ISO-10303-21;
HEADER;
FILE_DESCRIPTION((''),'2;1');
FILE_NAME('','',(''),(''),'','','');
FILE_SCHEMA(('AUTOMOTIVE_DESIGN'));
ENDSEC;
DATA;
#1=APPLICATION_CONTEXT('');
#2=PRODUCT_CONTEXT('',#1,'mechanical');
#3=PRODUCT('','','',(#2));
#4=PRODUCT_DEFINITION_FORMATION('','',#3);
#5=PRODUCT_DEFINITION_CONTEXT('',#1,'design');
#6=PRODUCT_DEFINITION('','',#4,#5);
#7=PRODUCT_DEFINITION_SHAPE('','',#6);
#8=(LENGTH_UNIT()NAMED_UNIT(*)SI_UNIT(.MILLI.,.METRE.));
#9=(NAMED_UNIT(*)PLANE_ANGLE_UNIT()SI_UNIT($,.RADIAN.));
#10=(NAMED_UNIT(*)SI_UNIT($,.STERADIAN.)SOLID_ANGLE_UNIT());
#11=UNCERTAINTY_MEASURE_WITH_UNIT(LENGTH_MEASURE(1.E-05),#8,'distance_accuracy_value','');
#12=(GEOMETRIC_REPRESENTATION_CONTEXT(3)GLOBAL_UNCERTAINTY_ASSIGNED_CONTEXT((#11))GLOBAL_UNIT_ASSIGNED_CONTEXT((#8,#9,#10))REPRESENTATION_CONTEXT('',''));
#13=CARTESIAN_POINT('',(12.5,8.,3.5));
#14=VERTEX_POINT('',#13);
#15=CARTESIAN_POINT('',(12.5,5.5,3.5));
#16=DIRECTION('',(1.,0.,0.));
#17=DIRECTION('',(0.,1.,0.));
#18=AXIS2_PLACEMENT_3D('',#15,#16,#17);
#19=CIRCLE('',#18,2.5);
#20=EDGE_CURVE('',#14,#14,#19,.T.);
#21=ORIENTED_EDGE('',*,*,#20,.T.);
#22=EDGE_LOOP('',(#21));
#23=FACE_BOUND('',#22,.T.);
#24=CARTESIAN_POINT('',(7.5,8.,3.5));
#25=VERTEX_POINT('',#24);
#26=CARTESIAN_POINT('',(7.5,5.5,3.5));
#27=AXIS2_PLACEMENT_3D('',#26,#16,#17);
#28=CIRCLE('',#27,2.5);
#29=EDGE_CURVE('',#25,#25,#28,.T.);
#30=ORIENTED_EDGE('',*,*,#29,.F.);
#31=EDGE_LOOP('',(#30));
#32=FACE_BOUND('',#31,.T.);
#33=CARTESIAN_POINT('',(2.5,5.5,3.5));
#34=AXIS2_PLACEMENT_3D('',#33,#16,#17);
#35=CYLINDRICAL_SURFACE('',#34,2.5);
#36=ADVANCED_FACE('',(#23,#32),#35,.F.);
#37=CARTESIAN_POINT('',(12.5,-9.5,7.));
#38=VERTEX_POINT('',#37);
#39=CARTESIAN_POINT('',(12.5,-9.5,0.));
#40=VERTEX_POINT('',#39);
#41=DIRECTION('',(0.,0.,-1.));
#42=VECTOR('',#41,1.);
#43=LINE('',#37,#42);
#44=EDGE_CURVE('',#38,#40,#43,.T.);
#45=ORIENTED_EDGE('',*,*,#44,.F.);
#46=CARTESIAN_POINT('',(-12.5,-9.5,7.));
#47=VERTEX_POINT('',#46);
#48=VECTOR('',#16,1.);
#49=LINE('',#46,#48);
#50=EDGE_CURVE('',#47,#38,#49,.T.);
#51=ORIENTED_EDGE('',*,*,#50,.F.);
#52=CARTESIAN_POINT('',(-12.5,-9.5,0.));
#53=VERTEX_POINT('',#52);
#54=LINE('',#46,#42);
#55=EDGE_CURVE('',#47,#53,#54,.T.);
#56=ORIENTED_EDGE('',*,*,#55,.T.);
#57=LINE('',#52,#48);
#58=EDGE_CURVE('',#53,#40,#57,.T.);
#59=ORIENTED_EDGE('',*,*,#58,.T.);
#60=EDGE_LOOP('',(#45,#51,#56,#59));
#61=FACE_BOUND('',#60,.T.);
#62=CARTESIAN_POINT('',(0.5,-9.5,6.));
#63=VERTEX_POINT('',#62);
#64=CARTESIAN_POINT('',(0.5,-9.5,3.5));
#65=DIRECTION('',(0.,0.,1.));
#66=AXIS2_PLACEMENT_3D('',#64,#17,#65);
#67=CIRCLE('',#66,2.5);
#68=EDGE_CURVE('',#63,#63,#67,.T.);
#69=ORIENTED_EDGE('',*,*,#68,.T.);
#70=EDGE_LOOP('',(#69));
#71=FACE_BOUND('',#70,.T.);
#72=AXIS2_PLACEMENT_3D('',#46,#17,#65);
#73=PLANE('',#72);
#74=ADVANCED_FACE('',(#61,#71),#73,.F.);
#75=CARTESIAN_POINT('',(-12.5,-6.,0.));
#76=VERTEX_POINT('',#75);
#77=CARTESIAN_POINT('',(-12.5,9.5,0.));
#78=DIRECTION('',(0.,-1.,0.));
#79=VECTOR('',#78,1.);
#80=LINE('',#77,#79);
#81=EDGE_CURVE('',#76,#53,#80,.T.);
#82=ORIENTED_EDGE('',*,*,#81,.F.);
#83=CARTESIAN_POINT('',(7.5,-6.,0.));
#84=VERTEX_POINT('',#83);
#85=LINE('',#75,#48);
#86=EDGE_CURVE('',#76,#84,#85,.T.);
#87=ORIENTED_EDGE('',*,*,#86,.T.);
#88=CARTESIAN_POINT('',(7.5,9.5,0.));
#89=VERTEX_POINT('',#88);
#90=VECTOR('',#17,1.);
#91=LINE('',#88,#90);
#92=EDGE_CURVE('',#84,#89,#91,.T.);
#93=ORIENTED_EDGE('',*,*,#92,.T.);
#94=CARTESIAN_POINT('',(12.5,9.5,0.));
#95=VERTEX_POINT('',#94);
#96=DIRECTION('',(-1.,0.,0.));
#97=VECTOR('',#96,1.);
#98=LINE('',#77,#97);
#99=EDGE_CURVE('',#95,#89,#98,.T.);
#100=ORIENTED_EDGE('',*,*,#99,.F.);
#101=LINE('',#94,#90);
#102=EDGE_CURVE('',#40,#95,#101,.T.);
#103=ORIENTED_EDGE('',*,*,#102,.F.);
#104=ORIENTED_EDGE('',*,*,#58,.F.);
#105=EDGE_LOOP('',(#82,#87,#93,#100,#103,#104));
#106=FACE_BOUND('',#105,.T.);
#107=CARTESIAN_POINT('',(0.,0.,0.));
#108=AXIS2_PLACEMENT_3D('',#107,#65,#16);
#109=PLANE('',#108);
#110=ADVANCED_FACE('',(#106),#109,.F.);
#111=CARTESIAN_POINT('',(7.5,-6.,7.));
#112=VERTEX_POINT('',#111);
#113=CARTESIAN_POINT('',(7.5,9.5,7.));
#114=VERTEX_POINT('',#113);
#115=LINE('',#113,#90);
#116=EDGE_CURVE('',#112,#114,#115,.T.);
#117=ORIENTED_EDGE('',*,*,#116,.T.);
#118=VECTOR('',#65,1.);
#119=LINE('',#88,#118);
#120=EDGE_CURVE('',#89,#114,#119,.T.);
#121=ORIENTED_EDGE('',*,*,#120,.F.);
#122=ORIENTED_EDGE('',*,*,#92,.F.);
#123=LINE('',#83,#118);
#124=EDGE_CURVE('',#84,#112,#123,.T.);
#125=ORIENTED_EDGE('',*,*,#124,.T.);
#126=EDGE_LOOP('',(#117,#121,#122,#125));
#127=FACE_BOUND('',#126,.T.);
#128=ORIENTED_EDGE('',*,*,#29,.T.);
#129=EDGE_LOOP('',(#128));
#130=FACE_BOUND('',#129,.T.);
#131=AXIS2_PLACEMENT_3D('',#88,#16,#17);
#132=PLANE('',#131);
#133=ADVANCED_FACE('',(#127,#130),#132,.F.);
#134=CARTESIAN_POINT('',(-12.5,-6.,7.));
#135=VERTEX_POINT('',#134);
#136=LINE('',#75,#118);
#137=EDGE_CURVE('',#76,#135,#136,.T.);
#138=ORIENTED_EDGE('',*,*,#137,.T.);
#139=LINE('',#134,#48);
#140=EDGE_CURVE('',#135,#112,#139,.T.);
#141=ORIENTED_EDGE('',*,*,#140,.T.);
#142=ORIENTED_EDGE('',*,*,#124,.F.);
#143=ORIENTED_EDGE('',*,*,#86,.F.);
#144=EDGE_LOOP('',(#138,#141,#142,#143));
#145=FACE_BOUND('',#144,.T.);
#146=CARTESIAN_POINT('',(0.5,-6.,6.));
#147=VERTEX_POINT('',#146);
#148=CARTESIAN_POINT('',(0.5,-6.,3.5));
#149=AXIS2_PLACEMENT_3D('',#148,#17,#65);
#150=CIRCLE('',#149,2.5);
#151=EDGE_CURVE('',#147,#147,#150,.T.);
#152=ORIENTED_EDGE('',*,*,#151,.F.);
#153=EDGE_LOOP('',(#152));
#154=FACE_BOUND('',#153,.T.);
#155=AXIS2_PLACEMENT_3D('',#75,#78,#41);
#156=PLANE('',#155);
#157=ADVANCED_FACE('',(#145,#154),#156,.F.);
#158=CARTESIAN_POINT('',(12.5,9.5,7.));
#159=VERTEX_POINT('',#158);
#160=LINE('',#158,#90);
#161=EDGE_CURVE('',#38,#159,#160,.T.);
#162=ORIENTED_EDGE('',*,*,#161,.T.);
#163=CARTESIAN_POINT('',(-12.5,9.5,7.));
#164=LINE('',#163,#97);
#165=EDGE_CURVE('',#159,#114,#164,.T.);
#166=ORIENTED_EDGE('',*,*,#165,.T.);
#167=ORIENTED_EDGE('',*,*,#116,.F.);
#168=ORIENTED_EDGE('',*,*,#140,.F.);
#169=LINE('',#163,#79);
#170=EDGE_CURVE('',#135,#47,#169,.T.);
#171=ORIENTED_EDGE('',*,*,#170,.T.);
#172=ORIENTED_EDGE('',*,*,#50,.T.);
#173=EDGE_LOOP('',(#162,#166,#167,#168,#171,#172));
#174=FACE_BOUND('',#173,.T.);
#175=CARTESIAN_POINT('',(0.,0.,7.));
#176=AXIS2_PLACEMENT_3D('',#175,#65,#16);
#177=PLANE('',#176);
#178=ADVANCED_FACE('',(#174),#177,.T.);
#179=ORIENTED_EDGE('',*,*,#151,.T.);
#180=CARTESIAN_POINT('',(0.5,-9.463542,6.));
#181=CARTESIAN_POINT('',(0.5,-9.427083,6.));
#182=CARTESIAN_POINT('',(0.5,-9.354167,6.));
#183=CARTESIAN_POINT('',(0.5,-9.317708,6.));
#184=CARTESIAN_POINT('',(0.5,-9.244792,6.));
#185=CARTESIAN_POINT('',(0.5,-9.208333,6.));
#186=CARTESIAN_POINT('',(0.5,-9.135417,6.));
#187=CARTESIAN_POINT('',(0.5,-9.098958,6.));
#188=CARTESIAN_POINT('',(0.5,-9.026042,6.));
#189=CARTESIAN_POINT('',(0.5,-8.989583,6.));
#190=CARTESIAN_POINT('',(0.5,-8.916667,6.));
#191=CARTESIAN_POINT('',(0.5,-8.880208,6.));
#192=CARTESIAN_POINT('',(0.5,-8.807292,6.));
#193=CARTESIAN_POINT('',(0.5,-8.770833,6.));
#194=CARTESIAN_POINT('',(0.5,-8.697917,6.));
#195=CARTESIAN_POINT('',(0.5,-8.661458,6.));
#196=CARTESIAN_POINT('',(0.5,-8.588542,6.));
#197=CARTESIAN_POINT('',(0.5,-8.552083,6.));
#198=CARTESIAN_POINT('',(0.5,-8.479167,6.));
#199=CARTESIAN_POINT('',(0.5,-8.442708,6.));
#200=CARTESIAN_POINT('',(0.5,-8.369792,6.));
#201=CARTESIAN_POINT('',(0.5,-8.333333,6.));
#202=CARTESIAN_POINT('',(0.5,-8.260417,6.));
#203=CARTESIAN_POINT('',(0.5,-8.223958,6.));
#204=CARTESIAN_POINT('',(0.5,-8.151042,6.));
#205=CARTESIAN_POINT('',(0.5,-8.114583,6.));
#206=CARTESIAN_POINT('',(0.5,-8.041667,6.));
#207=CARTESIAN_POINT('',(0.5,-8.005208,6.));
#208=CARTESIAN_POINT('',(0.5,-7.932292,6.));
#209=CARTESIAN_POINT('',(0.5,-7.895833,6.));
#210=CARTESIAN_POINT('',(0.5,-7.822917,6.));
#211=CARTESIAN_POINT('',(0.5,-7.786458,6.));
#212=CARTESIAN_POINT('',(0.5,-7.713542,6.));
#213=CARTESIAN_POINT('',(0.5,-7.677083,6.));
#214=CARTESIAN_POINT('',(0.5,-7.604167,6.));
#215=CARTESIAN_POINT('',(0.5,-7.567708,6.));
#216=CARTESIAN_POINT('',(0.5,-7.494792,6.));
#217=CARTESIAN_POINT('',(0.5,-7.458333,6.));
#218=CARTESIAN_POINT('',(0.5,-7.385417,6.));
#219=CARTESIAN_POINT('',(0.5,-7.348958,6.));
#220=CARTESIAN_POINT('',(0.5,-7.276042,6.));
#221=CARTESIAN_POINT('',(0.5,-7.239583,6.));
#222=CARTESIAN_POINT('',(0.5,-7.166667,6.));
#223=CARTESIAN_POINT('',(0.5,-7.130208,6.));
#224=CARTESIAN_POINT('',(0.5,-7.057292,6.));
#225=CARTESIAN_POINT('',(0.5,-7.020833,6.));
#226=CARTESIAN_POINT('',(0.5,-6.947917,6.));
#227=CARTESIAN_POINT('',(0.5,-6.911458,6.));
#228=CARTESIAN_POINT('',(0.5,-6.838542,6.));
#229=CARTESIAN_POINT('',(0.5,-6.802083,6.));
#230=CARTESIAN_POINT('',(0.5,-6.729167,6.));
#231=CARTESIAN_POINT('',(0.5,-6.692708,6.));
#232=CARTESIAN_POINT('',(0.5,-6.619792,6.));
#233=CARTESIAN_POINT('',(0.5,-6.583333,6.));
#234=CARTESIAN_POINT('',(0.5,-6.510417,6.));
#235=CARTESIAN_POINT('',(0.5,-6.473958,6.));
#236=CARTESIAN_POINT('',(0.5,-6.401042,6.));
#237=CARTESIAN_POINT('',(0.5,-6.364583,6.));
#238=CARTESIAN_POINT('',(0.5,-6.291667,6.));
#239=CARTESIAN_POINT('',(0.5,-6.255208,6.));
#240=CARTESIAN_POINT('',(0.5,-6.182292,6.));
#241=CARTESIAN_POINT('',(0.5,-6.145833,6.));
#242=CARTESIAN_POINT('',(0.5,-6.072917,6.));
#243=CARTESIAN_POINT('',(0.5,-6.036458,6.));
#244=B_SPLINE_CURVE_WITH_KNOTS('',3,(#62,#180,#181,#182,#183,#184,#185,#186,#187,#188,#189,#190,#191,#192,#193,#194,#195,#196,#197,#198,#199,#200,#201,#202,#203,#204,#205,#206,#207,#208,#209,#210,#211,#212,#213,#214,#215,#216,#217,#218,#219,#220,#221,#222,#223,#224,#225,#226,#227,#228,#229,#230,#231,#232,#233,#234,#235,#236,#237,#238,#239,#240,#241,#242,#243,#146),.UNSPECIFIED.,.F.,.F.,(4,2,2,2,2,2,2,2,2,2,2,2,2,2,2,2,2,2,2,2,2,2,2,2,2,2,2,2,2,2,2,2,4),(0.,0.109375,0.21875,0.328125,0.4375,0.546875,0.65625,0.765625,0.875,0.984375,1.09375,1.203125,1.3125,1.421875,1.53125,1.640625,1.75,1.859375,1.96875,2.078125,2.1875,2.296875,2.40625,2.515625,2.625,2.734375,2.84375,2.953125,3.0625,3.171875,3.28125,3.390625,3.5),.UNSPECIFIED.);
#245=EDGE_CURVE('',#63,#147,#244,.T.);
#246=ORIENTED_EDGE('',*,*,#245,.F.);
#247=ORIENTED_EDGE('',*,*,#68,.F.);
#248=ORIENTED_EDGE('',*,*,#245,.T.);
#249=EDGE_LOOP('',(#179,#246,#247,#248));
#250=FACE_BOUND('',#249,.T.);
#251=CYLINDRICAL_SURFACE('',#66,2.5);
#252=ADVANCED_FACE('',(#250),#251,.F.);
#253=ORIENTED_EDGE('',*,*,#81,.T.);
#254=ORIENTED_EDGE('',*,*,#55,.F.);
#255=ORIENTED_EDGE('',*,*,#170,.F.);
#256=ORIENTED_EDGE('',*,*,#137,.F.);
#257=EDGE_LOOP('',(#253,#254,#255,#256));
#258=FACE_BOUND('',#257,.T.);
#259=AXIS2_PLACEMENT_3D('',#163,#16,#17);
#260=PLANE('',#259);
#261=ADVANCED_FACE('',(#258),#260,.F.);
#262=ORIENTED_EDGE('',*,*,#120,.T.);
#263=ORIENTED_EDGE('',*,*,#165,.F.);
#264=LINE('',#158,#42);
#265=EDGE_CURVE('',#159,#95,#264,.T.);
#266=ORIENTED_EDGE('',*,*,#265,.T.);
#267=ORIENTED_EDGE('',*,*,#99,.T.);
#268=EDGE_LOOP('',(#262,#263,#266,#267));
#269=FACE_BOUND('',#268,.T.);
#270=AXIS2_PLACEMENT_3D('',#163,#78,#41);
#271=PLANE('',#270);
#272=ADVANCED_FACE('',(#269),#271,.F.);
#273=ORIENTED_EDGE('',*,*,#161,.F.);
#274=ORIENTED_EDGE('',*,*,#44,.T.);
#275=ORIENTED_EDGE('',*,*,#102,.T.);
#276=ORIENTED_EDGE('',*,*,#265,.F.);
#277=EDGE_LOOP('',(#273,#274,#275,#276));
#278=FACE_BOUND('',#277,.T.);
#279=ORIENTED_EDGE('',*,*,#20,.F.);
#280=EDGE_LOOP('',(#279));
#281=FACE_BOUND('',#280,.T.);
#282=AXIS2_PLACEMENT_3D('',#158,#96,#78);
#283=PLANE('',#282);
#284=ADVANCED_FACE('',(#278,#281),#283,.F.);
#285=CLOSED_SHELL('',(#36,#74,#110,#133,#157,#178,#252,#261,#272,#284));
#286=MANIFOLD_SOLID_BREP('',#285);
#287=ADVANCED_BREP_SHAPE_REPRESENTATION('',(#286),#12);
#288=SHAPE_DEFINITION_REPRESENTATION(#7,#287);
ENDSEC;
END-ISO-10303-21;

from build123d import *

# Parameters (mm, degrees)
SKETCH1_W           = 25
SKETCH1_H           = 19
BOSS_EXTRUDE1_DEPTH = 7
SKETCH2_W           = 20
SKETCH2_H           = 15.5
CUT_EXTRUDE1_DEPTH  = 7
SKETCH4_R           = 2.5
CUT_EXTRUDE3_DEPTH  = 22.106870919
SKETCH5_R           = 2.5
CUT_EXTRUDE4_DEPTH  = 10


with BuildPart() as part:
    # Sketch1 → Boss-Extrude1 (new body)
    with BuildSketch(Plane.XY):
        Rectangle(SKETCH1_W, SKETCH1_H)
    extrude(amount=BOSS_EXTRUDE1_DEPTH)

    # Sketch2 → Cut-Extrude1 (cut)
    with BuildSketch(Plane.XY.offset(7)):
        with Locations((-2.5, 1.75)):
            Rectangle(SKETCH2_W, SKETCH2_H)
    extrude(amount=-CUT_EXTRUDE1_DEPTH, mode=Mode.SUBTRACT)

    # Sketch4 → Cut-Extrude3 (cut, through all)
    with BuildSketch(Plane(origin=(0, -6, 0), x_dir=(1, 0, 0), z_dir=(0, 1, 0))):
        with Locations(Location((0.5, -3.5, 0), (0, 0, 270))):
            Circle(SKETCH4_R)
    extrude(amount=-CUT_EXTRUDE3_DEPTH, mode=Mode.SUBTRACT)

    # Sketch5 → Cut-Extrude4 (cut)
    with BuildSketch(Plane(origin=(12.5, 0, 0), x_dir=(0, 0, -1), z_dir=(1, 0, 0))):
        with Locations(Location((-3.5, 5.5, 0), (0, 0, 90))):
            Circle(SKETCH5_R)
    extrude(amount=-CUT_EXTRUDE4_DEPTH, mode=Mode.SUBTRACT)


solid = part.part
